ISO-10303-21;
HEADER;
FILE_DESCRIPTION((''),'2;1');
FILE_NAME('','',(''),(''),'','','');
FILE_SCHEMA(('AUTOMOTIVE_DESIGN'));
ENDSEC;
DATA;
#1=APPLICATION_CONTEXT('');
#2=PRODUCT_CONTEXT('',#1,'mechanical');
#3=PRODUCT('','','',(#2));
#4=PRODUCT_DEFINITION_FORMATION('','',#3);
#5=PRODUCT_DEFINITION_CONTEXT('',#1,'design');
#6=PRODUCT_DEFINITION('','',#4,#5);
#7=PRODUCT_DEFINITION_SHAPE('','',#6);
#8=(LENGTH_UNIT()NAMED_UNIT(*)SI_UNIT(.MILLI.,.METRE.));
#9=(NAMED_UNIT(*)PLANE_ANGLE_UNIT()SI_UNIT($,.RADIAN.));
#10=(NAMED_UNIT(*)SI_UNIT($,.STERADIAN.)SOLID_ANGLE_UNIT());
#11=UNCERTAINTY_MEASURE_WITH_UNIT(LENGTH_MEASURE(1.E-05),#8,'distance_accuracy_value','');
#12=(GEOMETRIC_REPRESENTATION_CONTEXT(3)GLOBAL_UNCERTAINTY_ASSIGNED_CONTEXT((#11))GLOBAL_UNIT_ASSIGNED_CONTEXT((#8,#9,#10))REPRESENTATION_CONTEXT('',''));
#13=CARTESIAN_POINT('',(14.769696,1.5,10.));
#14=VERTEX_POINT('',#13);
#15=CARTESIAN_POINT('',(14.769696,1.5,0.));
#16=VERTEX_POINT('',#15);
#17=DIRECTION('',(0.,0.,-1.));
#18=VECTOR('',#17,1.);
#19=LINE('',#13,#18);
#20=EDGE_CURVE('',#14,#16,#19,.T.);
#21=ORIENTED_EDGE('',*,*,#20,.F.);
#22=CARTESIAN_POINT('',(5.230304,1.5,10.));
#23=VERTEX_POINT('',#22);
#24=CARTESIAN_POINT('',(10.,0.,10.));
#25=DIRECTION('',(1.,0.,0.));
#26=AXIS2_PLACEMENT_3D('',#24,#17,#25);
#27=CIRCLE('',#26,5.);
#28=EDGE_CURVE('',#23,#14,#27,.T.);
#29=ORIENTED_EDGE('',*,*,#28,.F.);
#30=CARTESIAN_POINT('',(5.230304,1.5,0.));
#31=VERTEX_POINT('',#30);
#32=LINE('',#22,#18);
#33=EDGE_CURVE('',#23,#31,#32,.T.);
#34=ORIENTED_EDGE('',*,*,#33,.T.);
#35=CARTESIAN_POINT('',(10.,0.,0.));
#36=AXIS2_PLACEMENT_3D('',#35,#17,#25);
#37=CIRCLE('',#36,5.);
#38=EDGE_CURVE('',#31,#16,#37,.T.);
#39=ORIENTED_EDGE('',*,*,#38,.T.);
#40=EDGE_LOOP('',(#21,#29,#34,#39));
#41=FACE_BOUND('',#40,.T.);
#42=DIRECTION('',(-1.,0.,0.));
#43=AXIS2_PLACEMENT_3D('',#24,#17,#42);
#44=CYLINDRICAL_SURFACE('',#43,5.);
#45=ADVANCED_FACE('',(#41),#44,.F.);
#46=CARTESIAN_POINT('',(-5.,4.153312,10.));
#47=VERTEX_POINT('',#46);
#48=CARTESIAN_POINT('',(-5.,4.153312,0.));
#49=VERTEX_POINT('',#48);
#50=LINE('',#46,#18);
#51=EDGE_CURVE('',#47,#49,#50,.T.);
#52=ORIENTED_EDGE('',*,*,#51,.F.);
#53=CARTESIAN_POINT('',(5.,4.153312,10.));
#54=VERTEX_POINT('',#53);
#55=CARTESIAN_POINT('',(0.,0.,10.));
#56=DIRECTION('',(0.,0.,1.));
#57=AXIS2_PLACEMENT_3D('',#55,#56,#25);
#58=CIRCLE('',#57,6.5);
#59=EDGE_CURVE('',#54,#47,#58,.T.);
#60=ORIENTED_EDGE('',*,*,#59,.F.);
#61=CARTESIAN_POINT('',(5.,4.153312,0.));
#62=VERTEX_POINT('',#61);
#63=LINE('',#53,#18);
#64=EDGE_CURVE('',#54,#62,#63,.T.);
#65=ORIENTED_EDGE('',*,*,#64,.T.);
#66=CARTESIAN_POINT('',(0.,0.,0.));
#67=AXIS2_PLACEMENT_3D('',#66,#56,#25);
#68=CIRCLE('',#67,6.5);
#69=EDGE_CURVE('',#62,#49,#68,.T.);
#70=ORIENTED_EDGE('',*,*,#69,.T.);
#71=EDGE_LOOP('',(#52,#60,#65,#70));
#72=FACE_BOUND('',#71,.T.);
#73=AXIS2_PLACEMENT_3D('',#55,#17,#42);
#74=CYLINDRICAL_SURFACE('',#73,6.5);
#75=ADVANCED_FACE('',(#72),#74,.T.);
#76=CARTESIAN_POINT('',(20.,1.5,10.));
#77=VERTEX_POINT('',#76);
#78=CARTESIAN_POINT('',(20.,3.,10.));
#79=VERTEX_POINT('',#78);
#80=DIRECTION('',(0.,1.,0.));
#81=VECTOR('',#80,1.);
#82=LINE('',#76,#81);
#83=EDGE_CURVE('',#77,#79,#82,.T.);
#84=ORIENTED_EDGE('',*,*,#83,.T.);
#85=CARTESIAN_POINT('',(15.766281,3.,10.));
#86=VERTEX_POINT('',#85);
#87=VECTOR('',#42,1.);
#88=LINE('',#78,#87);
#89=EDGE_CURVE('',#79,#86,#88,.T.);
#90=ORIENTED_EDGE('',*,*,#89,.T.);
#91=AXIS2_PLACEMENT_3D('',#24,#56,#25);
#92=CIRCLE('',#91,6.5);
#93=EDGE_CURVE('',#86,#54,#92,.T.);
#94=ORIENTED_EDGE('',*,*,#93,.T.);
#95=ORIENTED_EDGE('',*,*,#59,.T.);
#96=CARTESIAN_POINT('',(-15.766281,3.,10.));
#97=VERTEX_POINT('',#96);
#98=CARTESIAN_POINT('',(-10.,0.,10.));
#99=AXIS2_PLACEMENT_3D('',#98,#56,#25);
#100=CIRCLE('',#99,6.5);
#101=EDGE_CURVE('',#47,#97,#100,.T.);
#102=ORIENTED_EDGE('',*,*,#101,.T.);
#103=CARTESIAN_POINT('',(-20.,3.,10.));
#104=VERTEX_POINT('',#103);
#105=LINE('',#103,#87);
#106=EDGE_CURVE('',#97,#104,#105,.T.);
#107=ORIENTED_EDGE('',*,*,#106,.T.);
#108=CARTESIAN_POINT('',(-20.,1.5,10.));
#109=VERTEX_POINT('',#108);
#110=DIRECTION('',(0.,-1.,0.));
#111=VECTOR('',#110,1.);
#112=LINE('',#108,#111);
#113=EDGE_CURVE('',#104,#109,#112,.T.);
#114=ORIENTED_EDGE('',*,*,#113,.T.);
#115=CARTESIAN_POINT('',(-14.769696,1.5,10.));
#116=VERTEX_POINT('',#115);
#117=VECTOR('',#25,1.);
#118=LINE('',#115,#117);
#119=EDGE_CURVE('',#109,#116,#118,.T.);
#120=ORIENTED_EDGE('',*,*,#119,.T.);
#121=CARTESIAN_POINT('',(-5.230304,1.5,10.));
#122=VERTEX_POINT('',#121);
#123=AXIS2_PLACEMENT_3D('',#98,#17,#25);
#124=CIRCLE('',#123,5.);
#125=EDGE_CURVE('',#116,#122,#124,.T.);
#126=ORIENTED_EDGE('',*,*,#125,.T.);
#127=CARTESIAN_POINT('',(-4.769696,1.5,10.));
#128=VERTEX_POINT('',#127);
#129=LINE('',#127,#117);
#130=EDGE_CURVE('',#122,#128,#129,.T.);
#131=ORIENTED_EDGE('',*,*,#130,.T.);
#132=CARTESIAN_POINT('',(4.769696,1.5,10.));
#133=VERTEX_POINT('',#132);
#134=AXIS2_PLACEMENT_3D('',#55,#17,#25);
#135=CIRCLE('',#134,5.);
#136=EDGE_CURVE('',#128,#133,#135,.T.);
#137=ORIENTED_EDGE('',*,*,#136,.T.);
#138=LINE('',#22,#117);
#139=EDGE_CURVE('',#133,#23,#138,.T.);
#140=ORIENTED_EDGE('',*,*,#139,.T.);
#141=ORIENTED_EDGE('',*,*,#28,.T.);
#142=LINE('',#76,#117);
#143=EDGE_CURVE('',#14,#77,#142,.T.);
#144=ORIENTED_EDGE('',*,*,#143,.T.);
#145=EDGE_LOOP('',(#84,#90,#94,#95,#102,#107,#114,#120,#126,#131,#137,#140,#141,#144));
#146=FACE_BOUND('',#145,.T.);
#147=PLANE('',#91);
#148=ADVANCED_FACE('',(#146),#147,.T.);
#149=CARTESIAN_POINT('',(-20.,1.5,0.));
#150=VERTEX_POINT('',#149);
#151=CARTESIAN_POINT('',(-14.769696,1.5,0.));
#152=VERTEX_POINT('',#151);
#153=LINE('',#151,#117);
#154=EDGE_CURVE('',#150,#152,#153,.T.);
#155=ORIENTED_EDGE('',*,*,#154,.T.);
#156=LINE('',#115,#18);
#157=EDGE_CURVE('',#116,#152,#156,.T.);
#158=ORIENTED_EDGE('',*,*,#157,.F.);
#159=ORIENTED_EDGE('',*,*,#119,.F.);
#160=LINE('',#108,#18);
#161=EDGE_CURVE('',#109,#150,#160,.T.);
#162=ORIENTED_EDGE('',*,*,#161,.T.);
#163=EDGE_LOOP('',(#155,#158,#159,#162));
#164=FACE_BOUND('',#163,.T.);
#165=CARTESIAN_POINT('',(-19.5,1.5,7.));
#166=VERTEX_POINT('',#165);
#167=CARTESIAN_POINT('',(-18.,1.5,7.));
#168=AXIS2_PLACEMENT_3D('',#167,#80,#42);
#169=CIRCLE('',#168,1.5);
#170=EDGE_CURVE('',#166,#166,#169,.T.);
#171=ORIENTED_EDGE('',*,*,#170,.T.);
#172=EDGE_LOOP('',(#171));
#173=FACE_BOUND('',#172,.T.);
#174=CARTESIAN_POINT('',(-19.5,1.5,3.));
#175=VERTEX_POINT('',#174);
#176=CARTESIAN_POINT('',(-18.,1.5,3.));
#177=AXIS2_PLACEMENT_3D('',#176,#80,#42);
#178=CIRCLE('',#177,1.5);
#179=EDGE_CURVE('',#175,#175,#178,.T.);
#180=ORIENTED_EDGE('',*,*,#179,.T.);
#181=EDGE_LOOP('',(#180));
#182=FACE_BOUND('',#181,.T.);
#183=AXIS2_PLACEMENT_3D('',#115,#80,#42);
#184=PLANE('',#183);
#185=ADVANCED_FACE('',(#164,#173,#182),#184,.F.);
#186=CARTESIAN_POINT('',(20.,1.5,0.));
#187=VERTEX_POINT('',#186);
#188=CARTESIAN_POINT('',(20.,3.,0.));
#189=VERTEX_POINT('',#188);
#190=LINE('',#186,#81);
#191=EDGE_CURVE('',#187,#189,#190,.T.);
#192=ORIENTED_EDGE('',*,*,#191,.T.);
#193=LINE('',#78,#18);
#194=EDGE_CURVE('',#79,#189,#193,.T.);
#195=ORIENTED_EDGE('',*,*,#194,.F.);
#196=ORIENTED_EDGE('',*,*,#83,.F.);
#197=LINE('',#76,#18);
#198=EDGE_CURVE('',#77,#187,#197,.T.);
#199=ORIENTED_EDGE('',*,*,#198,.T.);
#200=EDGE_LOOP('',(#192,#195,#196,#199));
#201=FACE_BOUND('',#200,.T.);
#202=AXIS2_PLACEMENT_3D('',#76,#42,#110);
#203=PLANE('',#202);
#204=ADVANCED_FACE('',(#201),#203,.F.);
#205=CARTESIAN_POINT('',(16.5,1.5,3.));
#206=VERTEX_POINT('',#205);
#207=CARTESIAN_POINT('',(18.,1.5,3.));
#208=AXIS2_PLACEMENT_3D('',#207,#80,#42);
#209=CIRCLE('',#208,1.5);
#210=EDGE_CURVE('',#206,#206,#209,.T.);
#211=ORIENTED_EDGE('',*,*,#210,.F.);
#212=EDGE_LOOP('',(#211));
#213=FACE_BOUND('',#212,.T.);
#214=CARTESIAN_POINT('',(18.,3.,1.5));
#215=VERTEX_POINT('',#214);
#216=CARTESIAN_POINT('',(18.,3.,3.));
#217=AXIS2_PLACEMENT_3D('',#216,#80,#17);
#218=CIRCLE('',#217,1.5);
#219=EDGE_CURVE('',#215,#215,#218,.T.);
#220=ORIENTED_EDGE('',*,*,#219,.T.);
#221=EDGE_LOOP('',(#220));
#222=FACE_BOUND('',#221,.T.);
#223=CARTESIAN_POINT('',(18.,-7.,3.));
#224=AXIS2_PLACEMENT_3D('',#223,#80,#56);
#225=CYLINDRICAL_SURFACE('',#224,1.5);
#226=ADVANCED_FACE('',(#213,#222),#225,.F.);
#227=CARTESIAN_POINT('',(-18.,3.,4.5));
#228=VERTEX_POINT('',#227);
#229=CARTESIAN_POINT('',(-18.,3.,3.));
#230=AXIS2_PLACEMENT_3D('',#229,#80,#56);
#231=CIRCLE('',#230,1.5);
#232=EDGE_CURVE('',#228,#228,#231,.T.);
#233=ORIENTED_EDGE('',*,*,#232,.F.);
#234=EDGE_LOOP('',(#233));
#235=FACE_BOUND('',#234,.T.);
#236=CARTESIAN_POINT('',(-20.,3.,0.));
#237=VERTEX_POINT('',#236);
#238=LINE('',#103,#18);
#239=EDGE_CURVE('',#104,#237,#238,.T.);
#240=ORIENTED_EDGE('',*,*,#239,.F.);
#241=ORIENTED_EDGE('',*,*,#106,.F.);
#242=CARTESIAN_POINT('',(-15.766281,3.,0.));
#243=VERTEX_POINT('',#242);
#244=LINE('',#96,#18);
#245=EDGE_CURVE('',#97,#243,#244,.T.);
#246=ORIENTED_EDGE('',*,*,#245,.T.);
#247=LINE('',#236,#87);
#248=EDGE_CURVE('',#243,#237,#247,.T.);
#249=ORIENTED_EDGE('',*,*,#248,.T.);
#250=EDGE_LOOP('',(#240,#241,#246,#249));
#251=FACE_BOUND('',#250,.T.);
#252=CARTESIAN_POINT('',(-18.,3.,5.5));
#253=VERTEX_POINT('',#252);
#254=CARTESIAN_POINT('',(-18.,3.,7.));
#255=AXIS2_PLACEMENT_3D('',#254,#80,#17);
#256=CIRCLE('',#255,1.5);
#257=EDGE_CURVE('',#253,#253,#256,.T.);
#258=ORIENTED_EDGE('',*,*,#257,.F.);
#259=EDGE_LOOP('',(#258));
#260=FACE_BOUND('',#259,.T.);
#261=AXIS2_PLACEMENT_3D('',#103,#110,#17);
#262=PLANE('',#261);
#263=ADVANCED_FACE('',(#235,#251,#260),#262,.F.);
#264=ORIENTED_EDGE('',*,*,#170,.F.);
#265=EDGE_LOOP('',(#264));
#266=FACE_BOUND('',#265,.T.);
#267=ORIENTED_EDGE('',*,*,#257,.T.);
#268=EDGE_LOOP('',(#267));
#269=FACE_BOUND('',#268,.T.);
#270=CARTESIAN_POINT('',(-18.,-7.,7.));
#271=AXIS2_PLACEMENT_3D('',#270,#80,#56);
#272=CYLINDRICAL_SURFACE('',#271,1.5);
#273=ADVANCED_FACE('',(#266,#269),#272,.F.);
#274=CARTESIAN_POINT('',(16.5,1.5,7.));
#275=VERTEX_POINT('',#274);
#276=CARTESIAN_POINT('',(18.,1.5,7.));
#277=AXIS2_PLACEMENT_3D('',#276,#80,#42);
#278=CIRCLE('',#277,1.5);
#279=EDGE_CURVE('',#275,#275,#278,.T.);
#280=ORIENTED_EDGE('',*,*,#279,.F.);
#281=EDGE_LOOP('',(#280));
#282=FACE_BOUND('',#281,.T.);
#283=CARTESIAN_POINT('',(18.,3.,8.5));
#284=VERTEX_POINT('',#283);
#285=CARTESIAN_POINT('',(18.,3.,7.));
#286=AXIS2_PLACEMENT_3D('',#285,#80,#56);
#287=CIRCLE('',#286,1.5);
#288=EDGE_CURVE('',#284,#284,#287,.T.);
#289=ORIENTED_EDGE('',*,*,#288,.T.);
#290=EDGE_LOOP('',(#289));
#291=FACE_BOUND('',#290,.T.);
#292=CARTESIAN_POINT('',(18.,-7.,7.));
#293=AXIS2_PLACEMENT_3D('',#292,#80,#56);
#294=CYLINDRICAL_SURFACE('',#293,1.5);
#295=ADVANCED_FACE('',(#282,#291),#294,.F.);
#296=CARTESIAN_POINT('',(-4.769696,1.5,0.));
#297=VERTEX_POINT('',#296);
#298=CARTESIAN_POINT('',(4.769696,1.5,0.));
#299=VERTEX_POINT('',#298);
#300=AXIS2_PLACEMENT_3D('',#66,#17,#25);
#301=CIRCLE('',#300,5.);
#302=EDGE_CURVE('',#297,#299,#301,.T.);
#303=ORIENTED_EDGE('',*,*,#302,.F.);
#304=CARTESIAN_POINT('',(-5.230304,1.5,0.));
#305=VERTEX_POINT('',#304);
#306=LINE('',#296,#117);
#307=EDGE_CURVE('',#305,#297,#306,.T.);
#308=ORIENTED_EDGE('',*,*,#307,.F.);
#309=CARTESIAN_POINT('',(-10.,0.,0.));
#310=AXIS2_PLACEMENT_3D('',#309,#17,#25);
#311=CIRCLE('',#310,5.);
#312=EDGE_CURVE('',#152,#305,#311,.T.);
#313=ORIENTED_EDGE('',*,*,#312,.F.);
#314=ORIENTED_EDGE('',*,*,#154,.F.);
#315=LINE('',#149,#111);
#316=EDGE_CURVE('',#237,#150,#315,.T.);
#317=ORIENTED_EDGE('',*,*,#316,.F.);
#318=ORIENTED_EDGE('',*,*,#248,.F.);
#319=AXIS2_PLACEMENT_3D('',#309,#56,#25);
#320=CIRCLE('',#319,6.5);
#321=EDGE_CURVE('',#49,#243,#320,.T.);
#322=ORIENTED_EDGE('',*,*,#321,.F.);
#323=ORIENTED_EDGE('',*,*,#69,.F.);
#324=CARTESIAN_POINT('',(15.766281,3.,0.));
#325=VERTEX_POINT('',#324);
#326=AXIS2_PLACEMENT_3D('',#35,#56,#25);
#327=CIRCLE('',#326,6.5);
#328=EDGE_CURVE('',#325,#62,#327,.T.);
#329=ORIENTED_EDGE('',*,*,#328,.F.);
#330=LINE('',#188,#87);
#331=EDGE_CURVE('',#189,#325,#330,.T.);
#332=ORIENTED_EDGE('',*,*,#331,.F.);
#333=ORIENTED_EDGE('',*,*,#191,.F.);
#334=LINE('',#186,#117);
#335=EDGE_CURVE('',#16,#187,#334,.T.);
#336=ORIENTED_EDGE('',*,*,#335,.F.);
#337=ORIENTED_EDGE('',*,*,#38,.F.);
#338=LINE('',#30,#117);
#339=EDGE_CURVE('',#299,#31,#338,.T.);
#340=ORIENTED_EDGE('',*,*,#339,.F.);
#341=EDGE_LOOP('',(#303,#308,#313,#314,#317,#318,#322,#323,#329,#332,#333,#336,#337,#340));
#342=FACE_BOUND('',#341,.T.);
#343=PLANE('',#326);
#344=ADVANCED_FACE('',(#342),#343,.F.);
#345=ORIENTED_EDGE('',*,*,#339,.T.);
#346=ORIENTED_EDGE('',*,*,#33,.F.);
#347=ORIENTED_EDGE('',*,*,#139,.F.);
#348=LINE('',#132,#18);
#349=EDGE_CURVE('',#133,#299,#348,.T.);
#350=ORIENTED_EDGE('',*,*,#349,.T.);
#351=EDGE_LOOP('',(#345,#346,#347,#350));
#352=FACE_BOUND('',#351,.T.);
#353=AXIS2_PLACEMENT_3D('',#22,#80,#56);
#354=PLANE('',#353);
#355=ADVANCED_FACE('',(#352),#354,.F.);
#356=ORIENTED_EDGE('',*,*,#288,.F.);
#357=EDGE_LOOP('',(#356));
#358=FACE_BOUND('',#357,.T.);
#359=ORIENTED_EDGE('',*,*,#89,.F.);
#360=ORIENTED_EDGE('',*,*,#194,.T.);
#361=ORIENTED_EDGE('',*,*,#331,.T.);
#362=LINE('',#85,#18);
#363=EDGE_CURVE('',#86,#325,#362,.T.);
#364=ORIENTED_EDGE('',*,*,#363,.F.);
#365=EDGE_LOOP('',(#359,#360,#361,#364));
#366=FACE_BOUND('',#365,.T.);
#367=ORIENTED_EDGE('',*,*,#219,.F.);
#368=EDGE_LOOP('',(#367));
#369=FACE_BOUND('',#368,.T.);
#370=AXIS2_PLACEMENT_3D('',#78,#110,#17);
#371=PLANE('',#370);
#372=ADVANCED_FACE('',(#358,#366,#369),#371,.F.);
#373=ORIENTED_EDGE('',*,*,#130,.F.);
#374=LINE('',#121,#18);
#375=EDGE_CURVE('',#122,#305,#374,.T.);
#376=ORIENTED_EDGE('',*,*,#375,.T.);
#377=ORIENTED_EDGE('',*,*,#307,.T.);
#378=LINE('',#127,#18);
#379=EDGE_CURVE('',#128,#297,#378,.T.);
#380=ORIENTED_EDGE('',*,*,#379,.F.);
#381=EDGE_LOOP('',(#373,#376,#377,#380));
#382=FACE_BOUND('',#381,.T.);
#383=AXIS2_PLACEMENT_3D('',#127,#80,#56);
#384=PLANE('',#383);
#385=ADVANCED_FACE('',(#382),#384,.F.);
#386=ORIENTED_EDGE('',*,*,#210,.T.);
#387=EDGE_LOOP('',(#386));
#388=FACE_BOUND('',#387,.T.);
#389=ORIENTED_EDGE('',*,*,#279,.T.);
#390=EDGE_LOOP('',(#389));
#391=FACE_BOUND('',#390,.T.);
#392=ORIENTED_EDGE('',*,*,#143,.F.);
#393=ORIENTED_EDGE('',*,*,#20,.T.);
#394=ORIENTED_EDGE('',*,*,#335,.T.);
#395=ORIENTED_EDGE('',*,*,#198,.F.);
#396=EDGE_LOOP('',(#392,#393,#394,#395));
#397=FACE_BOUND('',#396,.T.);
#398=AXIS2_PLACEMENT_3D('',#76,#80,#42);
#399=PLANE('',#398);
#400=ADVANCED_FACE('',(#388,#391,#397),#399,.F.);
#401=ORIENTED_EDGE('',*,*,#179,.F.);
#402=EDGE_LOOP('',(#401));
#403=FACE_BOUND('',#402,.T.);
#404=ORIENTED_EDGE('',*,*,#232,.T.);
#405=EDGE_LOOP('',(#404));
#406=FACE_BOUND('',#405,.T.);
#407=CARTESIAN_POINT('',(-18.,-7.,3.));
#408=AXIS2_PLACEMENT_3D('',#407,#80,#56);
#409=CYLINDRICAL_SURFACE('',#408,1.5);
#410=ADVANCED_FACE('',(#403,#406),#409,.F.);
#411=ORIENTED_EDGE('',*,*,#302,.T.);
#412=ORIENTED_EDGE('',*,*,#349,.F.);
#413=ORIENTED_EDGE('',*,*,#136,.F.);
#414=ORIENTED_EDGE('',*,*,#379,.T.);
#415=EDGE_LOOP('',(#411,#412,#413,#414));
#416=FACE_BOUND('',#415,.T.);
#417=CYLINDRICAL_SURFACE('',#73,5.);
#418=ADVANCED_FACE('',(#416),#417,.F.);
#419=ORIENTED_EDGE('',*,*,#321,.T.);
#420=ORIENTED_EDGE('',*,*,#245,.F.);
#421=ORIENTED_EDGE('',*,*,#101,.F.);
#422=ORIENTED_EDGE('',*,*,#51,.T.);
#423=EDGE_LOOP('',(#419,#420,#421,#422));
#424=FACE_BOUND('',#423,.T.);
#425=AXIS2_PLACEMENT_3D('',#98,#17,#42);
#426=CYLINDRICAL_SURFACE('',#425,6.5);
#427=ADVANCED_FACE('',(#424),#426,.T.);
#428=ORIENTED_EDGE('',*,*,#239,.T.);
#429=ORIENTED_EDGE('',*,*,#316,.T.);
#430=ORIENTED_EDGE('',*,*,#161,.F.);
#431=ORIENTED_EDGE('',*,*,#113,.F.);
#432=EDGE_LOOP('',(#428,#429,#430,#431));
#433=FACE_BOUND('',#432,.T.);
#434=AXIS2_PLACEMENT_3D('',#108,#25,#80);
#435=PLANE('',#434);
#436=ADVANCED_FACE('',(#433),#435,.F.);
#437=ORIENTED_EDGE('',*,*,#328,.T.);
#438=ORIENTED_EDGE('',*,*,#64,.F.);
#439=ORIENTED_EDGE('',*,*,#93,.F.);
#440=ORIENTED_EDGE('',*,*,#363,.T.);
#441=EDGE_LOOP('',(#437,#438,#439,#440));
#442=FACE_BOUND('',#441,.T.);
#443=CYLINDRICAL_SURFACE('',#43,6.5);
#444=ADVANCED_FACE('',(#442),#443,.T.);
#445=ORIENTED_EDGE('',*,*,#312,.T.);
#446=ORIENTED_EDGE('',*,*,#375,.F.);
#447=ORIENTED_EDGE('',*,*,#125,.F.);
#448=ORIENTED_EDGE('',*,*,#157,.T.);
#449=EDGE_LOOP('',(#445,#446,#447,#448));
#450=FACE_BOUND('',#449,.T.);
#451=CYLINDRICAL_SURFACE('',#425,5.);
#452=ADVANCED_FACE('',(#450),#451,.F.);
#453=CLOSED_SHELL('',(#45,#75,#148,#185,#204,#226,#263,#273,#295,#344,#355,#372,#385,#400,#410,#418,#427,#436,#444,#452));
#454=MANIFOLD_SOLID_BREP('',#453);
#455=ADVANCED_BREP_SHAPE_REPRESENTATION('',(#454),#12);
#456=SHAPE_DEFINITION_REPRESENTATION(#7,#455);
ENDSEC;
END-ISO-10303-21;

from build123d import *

# Parameters (mm, degrees)
EXTRUDE_1_DEPTH     = 10
SKETCH_2_R          = 1.5
CUT_EXTRUDE_1_DEPTH = 10


with BuildPart() as part:
    # 草图1 → 凸台-拉伸1 (new body)
    with BuildSketch(Plane.XY):
        with BuildLine():
            Line((-20, 1.5), (-20, 3))
            Line((-20, 3), (-15.766281297, 3))
            ThreePointArc((-15.766281297, 3), (-10.6923358, 6.463023375), (-5, 4.153311931))
            ThreePointArc((-5, 4.153311931), (0, 6.5), (5, 4.153311931))
            ThreePointArc((5, 4.153311931), (10.6923358, 6.463023375), (15.766281297, 3))
            Line((15.766281297, 3), (20, 3))
            Line((20, 3), (20, 1.5))
            Line((20, 1.5), (14.769696007, 1.5))
            ThreePointArc((14.769696007, 1.5), (10, 5), (5.230303993, 1.5))
            Line((5.230303993, 1.5), (4.769696007, 1.5))
            ThreePointArc((4.769696007, 1.5), (0, 5), (-4.769696007, 1.5))
            Line((-4.769696007, 1.5), (-5.230303993, 1.5))
            ThreePointArc((-5.230303993, 1.5), (-10, 5), (-14.769696007, 1.5))
            Line((-14.769696007, 1.5), (-20, 1.5))
        make_face()
    extrude(amount=EXTRUDE_1_DEPTH)

    # 草图2 → 切除-拉伸1 (cut)
    with BuildSketch(Plane(origin=(0, 3, 0), x_dir=(1, 0, 0), z_dir=(0, 1, 0))):
        with Locations(Location((-18, -3, 0), (0, 0, 270))):
            Circle(SKETCH_2_R)
        with Locations(Location((-18, -7, 0), (0, 0, 180))):
            Circle(SKETCH_2_R)
        with Locations(Location((18, -7, 0), (0, 0, 270))):
            Circle(SKETCH_2_R)
        with Locations(Location((18, -3, 0), (0, 0, 180))):
            Circle(SKETCH_2_R)
    extrude(amount=-CUT_EXTRUDE_1_DEPTH, mode=Mode.SUBTRACT)


solid = part.part
